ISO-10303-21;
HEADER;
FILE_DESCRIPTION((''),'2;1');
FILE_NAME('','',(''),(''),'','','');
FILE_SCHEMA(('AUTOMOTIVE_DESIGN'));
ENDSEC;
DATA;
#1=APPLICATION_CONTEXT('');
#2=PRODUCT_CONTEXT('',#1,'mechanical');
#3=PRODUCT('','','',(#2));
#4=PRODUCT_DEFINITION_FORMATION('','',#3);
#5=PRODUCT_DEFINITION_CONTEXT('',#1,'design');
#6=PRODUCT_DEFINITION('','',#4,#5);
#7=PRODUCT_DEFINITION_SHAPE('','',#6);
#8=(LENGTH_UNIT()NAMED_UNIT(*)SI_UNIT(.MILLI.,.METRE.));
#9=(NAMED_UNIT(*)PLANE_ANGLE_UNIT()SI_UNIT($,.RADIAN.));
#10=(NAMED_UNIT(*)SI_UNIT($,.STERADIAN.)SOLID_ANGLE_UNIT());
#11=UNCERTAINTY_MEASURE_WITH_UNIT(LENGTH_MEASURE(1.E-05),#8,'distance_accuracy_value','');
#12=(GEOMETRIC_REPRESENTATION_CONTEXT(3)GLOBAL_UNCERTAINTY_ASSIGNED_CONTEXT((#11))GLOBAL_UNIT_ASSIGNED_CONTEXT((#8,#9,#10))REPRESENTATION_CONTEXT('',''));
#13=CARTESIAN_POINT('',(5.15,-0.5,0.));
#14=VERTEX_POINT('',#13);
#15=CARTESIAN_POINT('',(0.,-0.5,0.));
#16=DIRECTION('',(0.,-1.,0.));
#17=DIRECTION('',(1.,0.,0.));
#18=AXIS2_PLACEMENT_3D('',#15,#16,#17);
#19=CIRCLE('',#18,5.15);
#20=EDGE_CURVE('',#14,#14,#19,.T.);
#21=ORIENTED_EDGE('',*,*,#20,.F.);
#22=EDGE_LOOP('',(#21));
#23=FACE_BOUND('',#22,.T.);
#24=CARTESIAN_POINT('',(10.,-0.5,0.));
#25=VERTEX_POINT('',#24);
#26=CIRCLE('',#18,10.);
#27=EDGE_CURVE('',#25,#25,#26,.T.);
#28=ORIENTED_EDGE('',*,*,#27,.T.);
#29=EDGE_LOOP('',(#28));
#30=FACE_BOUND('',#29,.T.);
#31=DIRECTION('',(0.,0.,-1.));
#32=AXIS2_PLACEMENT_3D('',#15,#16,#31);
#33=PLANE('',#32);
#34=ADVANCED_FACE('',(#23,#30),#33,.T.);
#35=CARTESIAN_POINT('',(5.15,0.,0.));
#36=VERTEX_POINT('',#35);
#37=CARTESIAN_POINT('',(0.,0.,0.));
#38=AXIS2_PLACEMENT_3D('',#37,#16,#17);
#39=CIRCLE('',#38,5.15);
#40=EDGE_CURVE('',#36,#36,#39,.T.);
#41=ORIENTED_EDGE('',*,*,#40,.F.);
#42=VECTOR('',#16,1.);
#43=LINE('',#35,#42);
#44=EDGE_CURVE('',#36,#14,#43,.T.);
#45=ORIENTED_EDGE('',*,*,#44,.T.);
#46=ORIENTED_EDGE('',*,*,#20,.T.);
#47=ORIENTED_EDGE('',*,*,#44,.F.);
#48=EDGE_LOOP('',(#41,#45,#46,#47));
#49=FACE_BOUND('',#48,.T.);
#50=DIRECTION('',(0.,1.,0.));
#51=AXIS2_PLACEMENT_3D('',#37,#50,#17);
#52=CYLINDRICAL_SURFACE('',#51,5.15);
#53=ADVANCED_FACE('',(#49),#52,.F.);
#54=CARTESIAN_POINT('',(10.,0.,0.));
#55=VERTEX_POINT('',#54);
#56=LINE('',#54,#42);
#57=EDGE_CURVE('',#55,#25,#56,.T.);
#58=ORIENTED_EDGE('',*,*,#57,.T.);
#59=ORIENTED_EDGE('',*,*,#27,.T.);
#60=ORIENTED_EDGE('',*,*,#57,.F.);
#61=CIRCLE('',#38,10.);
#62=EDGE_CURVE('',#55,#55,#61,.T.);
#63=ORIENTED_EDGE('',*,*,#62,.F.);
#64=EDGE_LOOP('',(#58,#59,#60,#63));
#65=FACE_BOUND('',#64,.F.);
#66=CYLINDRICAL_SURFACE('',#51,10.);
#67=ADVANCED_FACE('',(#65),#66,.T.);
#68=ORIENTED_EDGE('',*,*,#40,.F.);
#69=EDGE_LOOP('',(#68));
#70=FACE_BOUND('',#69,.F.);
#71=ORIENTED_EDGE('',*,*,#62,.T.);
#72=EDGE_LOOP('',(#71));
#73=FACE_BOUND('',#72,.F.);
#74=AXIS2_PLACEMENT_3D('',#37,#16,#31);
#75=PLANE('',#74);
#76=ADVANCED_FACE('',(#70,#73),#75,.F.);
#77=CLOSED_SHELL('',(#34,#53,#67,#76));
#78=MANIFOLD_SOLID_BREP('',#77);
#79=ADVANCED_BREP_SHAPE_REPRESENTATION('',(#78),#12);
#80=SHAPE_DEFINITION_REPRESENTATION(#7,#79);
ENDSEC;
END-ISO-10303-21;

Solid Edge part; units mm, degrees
sketch "Sketch1" plane through (0, 0, 0) normal (0, -1, 0) x (1, 0, 0)
  circle A0 centre (0, 0) radius 5.15
  circle A1 centre (0, 0) radius 10
extrude "Protrusion1" add sketch "Sketch1" along normal blind 0.5
